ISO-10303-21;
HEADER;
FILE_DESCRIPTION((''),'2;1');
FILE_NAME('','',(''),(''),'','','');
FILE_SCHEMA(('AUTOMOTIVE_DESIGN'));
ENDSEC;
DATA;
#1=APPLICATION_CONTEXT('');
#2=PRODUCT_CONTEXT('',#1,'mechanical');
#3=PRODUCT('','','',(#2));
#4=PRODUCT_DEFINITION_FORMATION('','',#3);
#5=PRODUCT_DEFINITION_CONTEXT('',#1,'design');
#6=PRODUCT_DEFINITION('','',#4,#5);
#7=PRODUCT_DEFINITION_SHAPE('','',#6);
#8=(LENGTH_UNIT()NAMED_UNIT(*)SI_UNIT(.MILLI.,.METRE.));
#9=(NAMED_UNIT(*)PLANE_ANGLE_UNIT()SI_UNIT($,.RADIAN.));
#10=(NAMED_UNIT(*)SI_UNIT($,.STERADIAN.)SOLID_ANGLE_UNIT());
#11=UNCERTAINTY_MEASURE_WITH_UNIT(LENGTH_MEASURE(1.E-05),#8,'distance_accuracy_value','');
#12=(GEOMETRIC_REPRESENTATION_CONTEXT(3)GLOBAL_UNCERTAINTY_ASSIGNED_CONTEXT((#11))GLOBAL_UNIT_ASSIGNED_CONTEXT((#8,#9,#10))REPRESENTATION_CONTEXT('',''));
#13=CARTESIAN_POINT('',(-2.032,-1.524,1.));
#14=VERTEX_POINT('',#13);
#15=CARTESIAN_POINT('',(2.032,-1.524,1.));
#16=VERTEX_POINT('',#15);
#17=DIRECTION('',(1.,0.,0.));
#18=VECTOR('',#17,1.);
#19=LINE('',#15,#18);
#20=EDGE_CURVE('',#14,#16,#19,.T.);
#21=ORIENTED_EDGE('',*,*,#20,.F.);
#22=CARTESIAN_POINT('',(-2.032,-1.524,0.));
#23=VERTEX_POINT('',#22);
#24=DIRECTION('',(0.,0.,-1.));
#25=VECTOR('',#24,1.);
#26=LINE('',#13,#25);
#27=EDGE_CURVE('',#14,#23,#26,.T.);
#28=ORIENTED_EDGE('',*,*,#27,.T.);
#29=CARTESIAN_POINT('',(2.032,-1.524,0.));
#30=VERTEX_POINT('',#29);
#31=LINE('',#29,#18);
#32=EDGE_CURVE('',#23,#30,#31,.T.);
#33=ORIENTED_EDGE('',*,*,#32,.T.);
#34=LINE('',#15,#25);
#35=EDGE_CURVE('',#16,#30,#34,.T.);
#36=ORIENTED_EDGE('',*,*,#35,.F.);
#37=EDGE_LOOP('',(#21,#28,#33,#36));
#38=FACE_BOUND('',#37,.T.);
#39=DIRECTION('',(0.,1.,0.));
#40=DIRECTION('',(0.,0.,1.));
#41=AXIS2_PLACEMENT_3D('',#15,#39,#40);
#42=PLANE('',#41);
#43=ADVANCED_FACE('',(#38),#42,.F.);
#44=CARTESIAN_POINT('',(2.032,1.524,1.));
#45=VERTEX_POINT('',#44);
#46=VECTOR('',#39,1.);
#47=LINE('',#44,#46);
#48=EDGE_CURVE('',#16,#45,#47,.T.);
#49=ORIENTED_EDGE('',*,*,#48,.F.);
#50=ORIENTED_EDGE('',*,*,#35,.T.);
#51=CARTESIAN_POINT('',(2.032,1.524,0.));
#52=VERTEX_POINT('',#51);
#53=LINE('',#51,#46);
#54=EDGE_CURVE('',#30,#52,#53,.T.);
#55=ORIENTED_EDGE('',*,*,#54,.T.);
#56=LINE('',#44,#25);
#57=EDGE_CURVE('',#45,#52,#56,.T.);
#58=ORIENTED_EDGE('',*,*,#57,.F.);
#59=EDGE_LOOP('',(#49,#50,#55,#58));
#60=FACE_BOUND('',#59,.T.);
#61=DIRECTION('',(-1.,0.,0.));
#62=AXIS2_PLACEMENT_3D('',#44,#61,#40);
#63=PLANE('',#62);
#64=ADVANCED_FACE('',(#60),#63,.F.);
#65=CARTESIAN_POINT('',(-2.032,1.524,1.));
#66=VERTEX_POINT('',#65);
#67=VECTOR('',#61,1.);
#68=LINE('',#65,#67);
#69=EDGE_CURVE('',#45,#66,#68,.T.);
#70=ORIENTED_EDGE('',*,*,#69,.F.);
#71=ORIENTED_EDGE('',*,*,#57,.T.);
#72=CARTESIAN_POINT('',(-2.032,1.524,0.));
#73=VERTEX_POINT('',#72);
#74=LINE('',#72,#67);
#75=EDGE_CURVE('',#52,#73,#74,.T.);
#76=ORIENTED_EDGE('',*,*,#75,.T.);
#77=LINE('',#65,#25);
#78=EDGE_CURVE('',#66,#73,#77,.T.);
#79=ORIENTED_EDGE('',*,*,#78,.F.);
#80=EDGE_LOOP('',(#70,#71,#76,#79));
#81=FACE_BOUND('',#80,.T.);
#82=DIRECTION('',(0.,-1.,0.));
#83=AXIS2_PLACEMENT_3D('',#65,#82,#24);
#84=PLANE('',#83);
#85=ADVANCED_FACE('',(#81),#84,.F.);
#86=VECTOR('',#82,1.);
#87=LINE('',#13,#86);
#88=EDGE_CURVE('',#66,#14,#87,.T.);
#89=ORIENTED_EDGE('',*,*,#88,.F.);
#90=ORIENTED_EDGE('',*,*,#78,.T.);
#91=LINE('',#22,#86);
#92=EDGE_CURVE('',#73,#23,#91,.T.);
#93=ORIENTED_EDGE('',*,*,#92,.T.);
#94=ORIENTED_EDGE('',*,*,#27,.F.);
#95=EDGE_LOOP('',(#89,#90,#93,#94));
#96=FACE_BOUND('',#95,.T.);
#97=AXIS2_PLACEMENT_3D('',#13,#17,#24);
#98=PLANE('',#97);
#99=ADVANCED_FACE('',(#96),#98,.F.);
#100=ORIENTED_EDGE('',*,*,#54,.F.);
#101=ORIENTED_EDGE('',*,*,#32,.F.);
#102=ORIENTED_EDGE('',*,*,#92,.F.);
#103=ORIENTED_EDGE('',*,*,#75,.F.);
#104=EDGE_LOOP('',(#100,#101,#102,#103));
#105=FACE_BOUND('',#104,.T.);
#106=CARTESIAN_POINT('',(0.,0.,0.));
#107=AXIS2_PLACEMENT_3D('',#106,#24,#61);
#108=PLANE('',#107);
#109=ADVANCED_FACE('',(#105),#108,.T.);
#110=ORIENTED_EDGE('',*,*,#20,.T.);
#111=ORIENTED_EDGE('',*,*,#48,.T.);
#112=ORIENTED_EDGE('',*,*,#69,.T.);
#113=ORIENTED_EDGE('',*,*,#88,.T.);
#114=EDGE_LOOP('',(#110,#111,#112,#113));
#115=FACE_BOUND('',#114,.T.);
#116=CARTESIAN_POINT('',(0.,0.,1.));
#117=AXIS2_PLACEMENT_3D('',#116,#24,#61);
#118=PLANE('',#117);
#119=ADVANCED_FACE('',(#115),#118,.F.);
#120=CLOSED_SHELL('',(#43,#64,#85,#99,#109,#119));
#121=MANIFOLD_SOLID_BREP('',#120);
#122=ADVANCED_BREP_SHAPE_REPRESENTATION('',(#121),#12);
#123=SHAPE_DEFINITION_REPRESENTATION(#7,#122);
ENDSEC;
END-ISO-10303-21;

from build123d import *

# Parameters (mm, degrees)
SKETCH1_W               = 4.064
SKETCH1_H               = 3.048
COMPONENT_OUTLINE_DEPTH = 1


with BuildPart() as part:
    # Sketch1 → Component_Outline (new body)
    with BuildSketch(Plane.XY):
        Rectangle(SKETCH1_W, SKETCH1_H)
    extrude(amount=COMPONENT_OUTLINE_DEPTH)


solid = part.part
